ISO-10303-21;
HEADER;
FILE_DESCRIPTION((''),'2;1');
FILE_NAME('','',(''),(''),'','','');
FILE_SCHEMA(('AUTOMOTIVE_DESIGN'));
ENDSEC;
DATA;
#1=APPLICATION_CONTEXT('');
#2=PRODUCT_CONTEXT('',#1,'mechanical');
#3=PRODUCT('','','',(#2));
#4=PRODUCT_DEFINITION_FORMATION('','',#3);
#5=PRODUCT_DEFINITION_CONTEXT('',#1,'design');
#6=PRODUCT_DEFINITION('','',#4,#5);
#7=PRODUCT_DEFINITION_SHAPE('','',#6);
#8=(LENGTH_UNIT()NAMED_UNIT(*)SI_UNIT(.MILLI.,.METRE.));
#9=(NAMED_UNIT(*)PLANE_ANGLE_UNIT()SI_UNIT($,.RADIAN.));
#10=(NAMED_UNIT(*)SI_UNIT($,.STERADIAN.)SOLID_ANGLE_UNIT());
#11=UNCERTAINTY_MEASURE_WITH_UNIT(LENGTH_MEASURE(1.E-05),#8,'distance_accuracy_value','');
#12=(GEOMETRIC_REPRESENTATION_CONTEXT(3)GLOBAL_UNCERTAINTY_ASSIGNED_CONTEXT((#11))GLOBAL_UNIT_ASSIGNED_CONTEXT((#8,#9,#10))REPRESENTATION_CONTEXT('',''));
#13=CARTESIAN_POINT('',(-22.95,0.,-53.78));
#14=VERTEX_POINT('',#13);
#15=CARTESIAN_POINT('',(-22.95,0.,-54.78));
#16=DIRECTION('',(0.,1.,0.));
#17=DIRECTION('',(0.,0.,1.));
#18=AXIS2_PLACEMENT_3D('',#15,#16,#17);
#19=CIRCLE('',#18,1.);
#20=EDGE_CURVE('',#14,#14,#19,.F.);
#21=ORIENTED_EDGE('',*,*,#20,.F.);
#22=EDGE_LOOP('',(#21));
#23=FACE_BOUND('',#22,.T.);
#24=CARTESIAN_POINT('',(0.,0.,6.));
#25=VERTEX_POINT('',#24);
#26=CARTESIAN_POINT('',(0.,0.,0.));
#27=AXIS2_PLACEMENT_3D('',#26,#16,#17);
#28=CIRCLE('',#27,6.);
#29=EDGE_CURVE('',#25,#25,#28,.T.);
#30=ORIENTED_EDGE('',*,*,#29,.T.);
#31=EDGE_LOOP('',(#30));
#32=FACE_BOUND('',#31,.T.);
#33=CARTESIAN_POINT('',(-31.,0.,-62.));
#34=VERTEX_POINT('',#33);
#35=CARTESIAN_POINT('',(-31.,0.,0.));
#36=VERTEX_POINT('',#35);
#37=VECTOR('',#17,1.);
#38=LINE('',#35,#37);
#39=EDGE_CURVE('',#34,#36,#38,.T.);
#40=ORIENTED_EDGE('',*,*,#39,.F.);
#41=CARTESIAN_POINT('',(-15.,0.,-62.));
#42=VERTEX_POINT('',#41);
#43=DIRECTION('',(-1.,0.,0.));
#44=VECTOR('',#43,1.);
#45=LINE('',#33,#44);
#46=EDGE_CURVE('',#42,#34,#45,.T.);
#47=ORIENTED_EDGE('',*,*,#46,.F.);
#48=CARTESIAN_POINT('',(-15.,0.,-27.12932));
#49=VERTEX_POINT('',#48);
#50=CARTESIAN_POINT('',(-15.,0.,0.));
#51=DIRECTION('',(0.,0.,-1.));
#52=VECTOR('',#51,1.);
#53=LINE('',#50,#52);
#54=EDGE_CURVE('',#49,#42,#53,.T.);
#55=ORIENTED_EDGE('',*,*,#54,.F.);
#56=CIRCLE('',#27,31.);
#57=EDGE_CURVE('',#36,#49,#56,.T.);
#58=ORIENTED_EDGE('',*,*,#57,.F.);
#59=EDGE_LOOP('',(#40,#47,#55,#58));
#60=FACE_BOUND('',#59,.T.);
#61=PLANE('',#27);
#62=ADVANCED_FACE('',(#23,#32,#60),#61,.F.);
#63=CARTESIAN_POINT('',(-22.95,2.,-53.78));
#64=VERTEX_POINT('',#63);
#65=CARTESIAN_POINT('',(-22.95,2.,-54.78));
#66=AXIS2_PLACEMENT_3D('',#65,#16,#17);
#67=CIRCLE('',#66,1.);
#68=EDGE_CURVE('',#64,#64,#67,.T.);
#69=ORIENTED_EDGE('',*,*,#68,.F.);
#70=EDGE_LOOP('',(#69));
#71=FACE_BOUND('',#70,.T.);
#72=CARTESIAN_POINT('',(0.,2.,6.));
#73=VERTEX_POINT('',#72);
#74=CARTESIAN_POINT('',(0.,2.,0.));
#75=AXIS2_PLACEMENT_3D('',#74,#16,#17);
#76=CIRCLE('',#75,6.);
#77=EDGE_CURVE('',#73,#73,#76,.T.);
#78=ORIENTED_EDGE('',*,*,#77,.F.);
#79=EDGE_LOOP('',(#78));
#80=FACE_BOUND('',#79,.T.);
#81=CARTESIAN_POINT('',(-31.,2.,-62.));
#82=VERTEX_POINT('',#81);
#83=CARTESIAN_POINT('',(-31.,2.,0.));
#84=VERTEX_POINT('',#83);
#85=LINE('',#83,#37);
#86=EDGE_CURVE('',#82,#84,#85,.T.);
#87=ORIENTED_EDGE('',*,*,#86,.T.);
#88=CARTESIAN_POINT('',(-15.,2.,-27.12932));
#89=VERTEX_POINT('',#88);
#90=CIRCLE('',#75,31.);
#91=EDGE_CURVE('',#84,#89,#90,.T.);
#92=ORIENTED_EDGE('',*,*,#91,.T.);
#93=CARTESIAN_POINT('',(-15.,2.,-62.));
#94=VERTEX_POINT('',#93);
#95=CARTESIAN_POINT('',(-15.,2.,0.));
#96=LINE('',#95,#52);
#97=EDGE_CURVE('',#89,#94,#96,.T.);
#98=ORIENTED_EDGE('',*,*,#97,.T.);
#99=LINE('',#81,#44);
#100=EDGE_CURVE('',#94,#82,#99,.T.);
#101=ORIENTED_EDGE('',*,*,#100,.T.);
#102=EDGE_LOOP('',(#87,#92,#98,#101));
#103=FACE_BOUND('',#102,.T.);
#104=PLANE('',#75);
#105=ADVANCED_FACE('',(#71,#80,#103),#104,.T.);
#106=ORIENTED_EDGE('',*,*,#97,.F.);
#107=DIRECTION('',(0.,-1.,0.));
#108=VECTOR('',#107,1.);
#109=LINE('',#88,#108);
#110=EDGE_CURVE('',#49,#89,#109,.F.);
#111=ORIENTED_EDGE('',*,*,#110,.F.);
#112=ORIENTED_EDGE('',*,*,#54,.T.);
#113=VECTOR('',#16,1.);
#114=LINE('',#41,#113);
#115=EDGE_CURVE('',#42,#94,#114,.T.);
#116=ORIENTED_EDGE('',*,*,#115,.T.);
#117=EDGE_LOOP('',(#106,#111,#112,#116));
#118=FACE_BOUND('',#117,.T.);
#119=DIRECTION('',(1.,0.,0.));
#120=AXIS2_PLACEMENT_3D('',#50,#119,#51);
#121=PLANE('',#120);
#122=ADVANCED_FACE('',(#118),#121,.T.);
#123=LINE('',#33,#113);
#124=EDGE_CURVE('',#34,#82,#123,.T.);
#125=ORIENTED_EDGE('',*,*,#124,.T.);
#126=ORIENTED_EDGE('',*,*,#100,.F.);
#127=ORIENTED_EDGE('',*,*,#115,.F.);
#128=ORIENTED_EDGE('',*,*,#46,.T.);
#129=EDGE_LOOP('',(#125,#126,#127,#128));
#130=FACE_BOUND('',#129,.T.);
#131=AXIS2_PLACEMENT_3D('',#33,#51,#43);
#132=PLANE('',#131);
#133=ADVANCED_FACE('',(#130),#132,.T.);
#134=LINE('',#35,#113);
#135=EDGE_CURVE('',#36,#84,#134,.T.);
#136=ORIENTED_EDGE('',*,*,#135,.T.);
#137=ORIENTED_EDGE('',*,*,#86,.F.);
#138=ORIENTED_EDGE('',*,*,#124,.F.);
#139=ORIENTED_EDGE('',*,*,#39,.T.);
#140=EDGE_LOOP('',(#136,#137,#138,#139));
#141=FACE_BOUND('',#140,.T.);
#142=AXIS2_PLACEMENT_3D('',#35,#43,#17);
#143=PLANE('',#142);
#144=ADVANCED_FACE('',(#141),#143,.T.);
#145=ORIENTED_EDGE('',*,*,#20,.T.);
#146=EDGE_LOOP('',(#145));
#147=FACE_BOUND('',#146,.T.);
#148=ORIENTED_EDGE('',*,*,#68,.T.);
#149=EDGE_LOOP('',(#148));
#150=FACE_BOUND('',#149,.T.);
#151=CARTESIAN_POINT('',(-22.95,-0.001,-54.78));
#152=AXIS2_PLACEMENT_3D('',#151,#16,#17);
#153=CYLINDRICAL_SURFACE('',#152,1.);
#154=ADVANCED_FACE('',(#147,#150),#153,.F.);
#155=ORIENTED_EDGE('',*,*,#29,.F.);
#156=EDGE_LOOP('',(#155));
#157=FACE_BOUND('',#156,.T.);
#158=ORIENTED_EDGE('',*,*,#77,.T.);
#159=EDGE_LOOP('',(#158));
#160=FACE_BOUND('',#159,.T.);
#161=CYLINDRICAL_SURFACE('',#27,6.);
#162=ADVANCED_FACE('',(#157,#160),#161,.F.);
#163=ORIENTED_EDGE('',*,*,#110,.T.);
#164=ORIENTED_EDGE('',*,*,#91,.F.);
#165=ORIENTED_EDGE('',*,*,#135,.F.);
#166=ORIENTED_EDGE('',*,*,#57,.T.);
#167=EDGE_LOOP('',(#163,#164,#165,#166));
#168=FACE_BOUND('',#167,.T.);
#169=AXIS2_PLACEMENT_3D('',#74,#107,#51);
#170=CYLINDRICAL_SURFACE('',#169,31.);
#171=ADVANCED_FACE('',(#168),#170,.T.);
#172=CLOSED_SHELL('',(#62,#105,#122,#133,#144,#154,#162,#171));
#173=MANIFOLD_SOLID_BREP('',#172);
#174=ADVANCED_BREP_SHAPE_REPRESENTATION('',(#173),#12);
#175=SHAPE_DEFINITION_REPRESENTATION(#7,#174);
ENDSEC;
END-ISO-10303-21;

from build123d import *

# Parameters (mm, degrees)
SKETCH1_R           = 31
BOSS_EXTRUDE1_DEPTH = 2
SKETCH2_R           = 6
CUT_EXTRUDE1_DEPTH  = 2
SKETCH3_W           = 16
SKETCH3_H           = 62
BOSS_EXTRUDE2_DEPTH = 2
CUT_EXTRUDE2_REACH  = 71.347
SKETCH11_R          = 1


with BuildPart() as part:
    # Sketch1 → Boss-Extrude1 (new body)
    with BuildSketch(Plane(origin=(0, 0, 0), x_dir=(1, 0, 0), z_dir=(0, 1, 0))):
        with Locations(Location((0, 0, 0), (0, 0, 270))):
            Circle(SKETCH1_R)
    extrude(amount=BOSS_EXTRUDE1_DEPTH)

    # Sketch2 → Cut-Extrude1 (cut)
    with BuildSketch(Plane(origin=(0, 2, 0), x_dir=(1, 0, 0), z_dir=(0, 1, 0))):
        with Locations(Location((0, 0, 0), (0, 0, 270))):
            Circle(SKETCH2_R)
    extrude(amount=-CUT_EXTRUDE1_DEPTH, mode=Mode.SUBTRACT)

    # Sketch3 → Boss-Extrude2 (add)
    with BuildSketch(Plane(origin=(0, 2, 0), x_dir=(1, 0, 0), z_dir=(0, 1, 0))):
        with Locations((-23, 31)):
            Rectangle(SKETCH3_W, SKETCH3_H)
    extrude(amount=-BOSS_EXTRUDE2_DEPTH)

    # Sketch11 → Cut-Extrude2 (cut, up to next)
    with BuildSketch(Plane(origin=(0, 2, 0), x_dir=(1, 0, 0), z_dir=(0, 1, 0)), mode=Mode.PRIVATE) as cut_extrude2_sk1:
        with Locations(Location((-22.95, 54.78, 0), (0, 0, 270))):
            Circle(SKETCH11_R)
    cut_extrude2_tool1 = extrude(cut_extrude2_sk1.sketch, amount=-CUT_EXTRUDE2_REACH, mode=Mode.PRIVATE) & part.part
    add(cut_extrude2_tool1.solids().sort_by_distance((-22.95, 2, -54.78))[0], mode=Mode.SUBTRACT)


solid = part.part
